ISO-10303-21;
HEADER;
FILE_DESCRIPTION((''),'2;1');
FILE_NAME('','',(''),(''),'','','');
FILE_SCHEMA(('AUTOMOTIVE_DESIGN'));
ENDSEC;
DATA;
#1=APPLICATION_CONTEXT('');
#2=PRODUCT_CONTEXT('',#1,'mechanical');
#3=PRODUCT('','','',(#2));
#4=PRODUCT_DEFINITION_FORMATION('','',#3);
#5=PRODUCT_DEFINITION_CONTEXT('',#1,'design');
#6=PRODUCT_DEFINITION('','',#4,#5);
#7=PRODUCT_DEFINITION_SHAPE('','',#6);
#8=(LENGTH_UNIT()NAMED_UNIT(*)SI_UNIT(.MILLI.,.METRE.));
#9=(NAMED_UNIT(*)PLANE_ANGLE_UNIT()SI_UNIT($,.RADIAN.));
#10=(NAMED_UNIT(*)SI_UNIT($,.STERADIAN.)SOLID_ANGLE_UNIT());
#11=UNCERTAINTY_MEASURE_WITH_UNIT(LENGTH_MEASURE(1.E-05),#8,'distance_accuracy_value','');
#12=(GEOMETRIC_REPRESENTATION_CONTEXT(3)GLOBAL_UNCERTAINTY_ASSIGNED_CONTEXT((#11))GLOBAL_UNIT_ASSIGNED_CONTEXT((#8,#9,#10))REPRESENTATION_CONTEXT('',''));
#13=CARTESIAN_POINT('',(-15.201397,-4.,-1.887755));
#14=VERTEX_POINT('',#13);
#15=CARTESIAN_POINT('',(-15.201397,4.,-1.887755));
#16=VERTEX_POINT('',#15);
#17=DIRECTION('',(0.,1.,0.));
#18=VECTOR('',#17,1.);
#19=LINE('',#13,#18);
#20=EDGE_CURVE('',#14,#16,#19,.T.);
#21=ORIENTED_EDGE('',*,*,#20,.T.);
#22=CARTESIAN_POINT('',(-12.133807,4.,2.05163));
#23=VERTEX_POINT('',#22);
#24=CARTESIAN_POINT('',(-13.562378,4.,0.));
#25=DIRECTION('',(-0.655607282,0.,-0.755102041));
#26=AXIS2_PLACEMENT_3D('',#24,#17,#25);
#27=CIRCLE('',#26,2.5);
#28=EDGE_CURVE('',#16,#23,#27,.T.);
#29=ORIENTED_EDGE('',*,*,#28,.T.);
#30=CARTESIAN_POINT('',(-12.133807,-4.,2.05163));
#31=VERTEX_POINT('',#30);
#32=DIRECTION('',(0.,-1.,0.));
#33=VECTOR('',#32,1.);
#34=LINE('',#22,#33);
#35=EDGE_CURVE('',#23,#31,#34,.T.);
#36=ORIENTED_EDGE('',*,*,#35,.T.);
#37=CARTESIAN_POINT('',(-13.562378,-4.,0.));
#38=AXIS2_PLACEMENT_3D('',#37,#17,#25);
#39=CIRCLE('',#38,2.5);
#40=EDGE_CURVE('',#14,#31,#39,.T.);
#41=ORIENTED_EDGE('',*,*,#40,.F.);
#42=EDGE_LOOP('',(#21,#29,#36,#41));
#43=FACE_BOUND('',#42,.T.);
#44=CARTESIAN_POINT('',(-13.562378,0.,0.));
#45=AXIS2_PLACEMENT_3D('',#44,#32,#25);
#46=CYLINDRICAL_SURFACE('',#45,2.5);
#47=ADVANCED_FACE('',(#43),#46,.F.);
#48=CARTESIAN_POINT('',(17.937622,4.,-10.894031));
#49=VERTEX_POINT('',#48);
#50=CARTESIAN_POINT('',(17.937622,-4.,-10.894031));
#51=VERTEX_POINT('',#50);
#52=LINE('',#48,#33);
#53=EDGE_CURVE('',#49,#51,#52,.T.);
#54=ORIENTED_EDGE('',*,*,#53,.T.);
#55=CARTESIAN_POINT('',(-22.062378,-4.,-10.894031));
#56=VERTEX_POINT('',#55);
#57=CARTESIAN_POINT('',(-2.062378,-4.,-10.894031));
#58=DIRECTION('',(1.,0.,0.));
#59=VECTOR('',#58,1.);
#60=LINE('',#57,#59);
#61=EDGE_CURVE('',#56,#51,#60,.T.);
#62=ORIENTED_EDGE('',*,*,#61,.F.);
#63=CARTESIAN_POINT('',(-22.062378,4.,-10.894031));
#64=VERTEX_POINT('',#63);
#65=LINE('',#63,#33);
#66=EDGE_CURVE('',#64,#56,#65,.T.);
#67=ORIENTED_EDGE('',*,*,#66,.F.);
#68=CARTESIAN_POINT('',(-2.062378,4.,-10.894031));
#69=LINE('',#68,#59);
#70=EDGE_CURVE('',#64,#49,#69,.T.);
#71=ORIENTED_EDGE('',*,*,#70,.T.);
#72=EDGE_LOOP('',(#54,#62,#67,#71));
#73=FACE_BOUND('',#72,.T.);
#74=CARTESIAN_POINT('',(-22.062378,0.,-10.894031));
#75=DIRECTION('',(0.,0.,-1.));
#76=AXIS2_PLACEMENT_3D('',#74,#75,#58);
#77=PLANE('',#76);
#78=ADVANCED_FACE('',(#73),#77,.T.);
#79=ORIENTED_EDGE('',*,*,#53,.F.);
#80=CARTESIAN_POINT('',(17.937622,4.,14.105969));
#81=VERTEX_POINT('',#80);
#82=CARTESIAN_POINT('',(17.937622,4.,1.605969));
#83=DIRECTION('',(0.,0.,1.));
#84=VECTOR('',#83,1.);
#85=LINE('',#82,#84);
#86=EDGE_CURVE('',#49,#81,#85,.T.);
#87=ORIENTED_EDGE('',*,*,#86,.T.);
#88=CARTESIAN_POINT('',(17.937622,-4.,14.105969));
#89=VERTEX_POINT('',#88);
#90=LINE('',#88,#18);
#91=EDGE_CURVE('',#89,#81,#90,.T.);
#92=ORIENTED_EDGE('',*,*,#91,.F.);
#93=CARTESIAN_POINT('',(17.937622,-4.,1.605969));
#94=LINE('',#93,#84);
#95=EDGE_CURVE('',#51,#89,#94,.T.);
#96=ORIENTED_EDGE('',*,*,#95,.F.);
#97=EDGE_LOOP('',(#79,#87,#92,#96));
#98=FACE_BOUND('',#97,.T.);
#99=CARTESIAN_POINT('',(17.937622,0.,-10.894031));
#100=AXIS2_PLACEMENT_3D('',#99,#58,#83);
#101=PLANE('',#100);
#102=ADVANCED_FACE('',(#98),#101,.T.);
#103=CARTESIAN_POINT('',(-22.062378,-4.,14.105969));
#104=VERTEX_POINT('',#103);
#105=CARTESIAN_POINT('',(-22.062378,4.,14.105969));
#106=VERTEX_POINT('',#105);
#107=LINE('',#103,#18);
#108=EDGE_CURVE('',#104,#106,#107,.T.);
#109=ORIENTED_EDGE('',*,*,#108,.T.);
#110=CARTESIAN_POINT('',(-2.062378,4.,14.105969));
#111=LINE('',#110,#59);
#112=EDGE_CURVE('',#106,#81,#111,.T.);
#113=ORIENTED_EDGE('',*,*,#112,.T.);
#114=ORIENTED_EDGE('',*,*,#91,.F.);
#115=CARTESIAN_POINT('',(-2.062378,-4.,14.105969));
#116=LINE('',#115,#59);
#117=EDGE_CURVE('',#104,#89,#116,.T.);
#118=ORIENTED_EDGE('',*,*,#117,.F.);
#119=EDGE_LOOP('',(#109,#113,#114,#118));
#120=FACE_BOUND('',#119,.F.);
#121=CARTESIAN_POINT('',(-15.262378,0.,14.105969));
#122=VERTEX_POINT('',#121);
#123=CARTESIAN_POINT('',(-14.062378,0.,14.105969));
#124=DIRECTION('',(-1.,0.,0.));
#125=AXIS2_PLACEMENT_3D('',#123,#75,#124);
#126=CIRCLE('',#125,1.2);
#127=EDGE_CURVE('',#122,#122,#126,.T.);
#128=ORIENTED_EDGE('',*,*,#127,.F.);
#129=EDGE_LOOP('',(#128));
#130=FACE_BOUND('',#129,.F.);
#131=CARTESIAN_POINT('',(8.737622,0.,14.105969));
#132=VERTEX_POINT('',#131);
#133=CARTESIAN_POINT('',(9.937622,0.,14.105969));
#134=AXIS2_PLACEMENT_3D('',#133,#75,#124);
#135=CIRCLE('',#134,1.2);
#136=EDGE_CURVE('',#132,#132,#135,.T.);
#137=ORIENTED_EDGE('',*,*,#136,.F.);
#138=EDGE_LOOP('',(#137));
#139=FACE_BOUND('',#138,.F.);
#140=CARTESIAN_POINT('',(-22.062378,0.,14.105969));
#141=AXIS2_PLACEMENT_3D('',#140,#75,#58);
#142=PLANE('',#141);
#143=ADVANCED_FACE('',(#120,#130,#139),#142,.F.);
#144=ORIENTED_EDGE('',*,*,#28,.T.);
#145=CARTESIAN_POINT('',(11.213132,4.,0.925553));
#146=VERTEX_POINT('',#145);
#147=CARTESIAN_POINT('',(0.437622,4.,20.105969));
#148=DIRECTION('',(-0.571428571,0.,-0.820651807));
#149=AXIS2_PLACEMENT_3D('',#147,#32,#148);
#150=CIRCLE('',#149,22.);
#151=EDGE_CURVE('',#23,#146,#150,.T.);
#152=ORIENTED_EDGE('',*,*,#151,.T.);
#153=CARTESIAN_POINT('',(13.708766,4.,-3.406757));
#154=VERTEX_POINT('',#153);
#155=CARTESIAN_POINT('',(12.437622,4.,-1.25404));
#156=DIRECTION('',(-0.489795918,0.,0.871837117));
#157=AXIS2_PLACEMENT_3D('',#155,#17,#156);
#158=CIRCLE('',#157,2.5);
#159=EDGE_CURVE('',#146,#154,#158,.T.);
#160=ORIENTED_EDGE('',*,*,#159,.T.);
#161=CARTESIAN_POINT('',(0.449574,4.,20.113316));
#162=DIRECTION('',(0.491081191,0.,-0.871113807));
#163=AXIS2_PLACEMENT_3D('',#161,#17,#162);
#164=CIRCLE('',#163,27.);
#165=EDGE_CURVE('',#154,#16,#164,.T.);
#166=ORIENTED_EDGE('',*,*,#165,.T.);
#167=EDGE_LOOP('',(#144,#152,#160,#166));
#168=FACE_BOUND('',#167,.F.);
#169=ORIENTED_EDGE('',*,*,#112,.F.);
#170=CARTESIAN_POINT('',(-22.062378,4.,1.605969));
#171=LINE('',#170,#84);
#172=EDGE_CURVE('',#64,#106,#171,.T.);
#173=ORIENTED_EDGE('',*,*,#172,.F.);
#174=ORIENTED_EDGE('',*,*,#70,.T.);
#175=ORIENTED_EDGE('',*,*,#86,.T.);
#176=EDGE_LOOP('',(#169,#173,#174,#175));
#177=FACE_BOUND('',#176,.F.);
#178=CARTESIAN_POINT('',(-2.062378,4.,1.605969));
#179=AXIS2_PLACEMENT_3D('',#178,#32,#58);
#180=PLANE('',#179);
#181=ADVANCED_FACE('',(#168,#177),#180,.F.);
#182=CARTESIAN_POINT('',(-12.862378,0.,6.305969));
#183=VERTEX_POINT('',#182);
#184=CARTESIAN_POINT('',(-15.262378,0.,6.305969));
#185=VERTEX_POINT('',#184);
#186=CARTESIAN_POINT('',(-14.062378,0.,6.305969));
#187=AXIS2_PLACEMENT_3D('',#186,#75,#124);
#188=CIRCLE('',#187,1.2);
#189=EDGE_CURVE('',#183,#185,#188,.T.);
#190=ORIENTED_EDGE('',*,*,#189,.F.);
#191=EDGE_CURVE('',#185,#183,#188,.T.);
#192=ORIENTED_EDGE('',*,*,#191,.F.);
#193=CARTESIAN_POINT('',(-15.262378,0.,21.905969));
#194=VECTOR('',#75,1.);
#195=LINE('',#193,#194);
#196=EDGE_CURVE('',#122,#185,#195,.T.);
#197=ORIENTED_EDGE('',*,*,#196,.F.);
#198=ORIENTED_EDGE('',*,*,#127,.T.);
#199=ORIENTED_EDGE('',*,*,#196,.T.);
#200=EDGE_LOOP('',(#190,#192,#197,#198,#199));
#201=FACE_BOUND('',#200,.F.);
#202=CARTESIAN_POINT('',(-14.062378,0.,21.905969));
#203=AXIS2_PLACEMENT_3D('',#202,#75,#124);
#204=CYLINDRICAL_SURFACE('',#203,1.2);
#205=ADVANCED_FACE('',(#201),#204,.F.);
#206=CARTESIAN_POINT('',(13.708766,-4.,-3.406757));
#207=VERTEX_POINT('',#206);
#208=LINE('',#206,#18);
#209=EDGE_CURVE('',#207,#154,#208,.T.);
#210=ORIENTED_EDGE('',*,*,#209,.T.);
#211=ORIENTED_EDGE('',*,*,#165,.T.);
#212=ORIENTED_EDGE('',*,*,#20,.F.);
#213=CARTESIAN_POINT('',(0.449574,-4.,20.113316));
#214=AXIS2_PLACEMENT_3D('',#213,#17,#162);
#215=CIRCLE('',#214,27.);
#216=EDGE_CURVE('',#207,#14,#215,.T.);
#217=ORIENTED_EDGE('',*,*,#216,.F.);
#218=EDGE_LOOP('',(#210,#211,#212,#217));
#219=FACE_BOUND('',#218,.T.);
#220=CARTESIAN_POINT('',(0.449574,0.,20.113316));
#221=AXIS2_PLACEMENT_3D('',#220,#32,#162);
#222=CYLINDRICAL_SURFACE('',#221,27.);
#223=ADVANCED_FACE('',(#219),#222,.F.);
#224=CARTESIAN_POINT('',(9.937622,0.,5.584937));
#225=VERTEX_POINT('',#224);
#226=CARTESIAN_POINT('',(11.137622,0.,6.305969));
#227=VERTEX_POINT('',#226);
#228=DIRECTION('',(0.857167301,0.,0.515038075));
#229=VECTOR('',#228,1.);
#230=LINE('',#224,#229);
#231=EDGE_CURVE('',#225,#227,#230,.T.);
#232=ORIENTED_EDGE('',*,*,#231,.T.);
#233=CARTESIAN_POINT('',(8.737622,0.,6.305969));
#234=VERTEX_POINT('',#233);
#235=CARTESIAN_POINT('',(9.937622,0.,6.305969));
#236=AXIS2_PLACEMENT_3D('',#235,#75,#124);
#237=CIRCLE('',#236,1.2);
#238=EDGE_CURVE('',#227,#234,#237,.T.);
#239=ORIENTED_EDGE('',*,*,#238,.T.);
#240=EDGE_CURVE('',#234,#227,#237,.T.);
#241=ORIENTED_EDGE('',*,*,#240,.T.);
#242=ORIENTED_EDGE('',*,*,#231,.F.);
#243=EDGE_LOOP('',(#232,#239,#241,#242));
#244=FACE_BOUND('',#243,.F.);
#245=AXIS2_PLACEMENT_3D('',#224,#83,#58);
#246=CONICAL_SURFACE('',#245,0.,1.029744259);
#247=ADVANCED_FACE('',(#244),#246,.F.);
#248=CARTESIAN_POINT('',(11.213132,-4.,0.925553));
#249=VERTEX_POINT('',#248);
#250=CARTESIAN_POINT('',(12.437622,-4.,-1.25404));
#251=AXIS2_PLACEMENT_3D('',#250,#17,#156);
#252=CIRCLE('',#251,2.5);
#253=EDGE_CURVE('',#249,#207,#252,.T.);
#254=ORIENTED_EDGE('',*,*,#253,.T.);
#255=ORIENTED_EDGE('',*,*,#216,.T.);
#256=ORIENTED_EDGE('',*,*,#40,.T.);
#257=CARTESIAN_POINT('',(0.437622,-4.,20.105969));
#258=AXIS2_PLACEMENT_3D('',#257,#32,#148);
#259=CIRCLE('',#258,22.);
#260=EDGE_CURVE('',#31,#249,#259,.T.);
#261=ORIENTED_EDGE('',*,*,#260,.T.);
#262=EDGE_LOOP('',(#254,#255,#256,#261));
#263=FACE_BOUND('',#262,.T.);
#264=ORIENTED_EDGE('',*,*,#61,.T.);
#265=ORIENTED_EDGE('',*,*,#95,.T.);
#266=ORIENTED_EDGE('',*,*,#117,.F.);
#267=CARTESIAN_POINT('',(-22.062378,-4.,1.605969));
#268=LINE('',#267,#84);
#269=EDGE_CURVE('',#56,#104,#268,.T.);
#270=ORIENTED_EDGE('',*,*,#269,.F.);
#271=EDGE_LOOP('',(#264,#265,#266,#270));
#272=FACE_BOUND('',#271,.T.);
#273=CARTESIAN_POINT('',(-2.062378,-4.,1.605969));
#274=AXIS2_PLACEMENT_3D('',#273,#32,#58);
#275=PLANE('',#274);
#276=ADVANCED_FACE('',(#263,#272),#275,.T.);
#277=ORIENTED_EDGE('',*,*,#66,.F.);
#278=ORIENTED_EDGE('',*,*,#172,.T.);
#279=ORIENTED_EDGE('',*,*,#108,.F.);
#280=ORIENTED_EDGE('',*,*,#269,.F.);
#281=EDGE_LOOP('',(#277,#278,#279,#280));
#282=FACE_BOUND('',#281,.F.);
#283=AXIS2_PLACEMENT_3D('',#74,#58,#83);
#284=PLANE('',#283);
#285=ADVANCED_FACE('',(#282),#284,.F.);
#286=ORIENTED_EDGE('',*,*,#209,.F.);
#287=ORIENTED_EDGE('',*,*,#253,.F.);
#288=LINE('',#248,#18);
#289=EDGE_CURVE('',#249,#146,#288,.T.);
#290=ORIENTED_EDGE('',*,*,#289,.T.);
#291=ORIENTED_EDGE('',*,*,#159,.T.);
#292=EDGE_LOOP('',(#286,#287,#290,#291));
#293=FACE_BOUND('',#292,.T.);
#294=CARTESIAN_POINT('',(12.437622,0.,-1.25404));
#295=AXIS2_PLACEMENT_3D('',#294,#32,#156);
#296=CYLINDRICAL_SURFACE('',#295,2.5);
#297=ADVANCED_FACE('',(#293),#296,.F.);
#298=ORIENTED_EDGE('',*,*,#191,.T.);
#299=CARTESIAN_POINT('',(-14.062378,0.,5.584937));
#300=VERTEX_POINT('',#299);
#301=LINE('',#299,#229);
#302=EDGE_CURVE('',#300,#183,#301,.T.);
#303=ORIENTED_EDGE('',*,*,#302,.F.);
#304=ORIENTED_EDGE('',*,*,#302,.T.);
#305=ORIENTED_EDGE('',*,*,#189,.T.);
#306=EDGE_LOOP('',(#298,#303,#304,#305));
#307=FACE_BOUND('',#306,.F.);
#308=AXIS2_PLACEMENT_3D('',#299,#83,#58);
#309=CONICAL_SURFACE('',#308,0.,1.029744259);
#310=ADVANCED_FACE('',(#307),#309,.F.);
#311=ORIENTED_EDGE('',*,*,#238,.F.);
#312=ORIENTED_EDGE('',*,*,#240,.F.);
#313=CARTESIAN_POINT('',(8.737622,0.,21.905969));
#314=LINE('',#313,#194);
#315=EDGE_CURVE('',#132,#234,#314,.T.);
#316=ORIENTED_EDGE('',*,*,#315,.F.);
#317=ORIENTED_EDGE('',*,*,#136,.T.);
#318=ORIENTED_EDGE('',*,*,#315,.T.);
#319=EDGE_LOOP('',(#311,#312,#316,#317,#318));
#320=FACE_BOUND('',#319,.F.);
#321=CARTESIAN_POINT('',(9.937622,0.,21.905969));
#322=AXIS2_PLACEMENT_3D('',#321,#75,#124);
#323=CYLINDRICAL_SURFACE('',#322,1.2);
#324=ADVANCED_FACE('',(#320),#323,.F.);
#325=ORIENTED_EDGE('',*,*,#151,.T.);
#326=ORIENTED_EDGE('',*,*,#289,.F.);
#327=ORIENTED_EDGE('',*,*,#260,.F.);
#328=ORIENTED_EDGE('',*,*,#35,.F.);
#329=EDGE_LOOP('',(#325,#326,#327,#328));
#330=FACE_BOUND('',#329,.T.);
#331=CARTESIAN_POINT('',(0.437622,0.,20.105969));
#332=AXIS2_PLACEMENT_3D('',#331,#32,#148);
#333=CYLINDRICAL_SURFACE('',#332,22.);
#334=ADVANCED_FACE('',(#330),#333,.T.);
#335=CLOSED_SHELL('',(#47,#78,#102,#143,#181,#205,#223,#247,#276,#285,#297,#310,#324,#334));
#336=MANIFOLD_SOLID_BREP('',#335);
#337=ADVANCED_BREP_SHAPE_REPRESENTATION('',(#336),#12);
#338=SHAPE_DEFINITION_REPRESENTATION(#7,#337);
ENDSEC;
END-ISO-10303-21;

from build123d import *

# Parameters (mm, degrees)
F0_W     = 40
F0_H     = 25
F1_DEPTH = 4
F3_D     = 2.4
F3_DEPTH = 7.8
F3_TIP   = 0.7210327428


with BuildPart() as f1:
    # F0 (on Front) → F1 (new body, symmetric)
    with BuildSketch(Plane.XZ):
        with Locations((-2.0623784042, 1.6059692629)):
            Rectangle(F0_W, F0_H)
        with BuildLine():
            ThreePointArc((-12.1338069756, 2.0516295166), (-0.622257147, -1.8684853845), (11.2131317999, 0.9255526918))
            ThreePointArc((11.2131317999, 0.9255526918), (14.6039021457, -0.0061504502), (13.7087663913, -3.4067571995))
            ThreePointArc((13.7087663913, -3.4067571995), (-0.9671096254, -6.8494922608), (-15.2013966087, -1.887755102))
            ThreePointArc((-15.2013966087, -1.887755102), (-15.5348792926, 1.5359818505), (-12.1338069756, 2.0516295166))
        make_face(mode=Mode.SUBTRACT)
    extrude(amount=F1_DEPTH, both=True)

    # F3
    with Locations(Plane.XY.offset(14.1059692629)):
        with Locations((-14.0623778887, 0), (9.9376221113, 0)):
            Hole(F3_D / 2, depth=F3_DEPTH)
            with Locations((0, 0, -(F3_DEPTH + F3_TIP / 2))):  # 118° drill point
                Cone(0, F3_D / 2, F3_TIP, mode=Mode.SUBTRACT)


solid = f1.part
